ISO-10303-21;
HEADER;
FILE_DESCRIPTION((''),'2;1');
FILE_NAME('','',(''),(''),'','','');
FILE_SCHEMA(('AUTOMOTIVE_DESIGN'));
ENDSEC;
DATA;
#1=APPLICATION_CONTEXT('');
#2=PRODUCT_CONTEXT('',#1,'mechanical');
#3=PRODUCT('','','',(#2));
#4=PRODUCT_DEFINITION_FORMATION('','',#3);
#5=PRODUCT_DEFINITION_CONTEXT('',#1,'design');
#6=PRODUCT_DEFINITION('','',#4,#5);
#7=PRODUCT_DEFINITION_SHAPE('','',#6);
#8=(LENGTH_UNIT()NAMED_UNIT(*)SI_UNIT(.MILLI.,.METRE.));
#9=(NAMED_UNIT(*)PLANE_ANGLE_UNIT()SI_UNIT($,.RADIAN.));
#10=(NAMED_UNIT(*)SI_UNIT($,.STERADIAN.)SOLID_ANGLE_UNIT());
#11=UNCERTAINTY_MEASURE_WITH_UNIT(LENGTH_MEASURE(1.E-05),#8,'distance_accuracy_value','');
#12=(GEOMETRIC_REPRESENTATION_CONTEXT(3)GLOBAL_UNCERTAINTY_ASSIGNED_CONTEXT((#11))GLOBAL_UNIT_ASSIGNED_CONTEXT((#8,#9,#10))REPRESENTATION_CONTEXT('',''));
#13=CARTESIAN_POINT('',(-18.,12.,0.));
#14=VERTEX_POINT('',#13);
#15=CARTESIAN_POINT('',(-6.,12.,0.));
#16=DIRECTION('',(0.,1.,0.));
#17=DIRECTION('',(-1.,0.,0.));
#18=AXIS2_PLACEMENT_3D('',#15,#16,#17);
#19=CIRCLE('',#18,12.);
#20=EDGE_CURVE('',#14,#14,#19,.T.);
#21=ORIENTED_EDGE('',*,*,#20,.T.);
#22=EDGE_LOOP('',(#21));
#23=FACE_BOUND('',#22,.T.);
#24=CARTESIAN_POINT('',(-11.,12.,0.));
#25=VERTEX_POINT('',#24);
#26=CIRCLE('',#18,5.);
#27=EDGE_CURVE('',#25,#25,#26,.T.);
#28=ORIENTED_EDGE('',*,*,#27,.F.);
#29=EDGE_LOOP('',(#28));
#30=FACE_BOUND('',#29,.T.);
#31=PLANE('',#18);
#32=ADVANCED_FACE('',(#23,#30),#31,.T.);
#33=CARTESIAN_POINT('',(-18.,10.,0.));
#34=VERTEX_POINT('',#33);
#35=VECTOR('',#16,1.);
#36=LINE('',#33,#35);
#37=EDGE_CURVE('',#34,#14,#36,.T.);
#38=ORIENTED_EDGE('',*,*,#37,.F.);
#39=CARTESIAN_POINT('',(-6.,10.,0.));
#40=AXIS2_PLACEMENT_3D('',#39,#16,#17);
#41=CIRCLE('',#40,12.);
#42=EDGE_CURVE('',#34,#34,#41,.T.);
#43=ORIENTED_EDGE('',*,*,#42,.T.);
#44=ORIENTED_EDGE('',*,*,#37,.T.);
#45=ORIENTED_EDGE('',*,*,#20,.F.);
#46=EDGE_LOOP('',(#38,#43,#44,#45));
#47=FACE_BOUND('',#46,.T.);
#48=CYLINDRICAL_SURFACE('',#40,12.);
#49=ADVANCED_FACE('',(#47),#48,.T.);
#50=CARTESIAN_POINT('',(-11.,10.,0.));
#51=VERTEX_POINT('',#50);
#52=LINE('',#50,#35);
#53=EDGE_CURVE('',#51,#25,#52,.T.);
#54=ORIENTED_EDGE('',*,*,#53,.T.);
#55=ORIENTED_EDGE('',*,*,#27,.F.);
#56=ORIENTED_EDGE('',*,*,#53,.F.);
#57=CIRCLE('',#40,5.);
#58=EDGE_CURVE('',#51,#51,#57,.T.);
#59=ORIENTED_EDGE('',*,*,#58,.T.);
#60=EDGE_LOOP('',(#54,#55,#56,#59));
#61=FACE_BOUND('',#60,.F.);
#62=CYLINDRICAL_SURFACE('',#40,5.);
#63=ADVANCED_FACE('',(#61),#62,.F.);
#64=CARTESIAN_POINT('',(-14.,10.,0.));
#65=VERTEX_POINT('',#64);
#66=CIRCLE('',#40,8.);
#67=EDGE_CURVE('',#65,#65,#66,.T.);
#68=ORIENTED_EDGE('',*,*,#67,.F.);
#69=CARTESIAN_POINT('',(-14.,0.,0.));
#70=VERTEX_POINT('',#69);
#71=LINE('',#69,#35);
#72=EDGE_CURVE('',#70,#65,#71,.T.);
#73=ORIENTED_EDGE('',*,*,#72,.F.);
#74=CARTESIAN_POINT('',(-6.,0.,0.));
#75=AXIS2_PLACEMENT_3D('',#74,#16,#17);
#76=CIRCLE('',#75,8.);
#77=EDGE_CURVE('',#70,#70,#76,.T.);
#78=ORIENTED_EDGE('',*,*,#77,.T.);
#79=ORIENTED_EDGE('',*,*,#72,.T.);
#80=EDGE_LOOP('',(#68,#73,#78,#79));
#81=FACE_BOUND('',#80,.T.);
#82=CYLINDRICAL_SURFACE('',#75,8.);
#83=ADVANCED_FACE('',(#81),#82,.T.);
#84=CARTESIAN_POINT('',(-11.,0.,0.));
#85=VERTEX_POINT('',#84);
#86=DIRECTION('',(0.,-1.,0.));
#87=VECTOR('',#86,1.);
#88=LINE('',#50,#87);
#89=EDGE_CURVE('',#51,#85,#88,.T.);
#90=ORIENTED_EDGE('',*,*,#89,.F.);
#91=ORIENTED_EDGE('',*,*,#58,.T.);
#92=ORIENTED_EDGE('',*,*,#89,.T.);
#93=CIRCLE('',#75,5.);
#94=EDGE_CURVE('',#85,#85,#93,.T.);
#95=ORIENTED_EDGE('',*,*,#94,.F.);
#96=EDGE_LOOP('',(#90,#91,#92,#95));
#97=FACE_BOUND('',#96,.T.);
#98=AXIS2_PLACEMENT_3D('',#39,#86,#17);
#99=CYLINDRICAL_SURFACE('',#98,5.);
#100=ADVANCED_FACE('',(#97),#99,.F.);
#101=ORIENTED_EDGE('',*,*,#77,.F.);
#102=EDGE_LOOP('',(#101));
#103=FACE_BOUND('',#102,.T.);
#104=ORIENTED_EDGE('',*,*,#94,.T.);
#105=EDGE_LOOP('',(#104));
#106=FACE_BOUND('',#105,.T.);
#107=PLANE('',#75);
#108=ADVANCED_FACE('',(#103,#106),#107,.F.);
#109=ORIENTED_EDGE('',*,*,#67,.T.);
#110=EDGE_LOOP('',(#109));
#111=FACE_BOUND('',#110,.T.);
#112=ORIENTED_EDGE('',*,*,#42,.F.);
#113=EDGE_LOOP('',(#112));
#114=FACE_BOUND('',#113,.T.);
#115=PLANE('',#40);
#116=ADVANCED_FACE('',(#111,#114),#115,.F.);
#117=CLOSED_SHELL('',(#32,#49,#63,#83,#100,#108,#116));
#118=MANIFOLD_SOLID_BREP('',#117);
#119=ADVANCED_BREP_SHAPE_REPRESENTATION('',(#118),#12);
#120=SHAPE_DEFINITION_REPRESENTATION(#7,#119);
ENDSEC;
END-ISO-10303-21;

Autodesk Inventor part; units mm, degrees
ref_plane "YZ Plane" through (0, 0, 0) normal (1, 0, 0) x (0, 1, 0)
ref_plane "XZ Plane" through (0, 0, 0) normal (0, 1, 0) x (-1, 0, 0)
ref_plane "XY Plane" through (0, 0, 0) normal (0, 0, 1) x (1, 0, 0)
sketch "Sketch1" plane through (0, 0, 0) normal (0, 0, 1) x (1, 0, 0)
  line L0 (-11, 0) -> (-14, 0)
  line L1 (-14, 0) -> (-14, 10)
  line L2 (-14, 10) -> (-18, 10)
  line L3 (-18, 10) -> (-18, 12)
  line L4 (-18, 12) -> (-11, 12)
  line L5 (-11, 10) -> (-11, 0)
  line L6 (-11, 10) -> (-11, 12)
  line L7 (-6, 0) -> (-6, 10)
  dimension "d1" = 10
  dimension "d2" = 4
  dimension "d3" = 2
  dimension "d4" = 3
  dimension "d6" = 5
revolve "Revolution1" add sketch "Sketch1" angle 360 about axis through (-6, 0, 0) along (0, 1, 0)
properties part number "Buje para Tornillo" material "Brass, Soft Yellow"
